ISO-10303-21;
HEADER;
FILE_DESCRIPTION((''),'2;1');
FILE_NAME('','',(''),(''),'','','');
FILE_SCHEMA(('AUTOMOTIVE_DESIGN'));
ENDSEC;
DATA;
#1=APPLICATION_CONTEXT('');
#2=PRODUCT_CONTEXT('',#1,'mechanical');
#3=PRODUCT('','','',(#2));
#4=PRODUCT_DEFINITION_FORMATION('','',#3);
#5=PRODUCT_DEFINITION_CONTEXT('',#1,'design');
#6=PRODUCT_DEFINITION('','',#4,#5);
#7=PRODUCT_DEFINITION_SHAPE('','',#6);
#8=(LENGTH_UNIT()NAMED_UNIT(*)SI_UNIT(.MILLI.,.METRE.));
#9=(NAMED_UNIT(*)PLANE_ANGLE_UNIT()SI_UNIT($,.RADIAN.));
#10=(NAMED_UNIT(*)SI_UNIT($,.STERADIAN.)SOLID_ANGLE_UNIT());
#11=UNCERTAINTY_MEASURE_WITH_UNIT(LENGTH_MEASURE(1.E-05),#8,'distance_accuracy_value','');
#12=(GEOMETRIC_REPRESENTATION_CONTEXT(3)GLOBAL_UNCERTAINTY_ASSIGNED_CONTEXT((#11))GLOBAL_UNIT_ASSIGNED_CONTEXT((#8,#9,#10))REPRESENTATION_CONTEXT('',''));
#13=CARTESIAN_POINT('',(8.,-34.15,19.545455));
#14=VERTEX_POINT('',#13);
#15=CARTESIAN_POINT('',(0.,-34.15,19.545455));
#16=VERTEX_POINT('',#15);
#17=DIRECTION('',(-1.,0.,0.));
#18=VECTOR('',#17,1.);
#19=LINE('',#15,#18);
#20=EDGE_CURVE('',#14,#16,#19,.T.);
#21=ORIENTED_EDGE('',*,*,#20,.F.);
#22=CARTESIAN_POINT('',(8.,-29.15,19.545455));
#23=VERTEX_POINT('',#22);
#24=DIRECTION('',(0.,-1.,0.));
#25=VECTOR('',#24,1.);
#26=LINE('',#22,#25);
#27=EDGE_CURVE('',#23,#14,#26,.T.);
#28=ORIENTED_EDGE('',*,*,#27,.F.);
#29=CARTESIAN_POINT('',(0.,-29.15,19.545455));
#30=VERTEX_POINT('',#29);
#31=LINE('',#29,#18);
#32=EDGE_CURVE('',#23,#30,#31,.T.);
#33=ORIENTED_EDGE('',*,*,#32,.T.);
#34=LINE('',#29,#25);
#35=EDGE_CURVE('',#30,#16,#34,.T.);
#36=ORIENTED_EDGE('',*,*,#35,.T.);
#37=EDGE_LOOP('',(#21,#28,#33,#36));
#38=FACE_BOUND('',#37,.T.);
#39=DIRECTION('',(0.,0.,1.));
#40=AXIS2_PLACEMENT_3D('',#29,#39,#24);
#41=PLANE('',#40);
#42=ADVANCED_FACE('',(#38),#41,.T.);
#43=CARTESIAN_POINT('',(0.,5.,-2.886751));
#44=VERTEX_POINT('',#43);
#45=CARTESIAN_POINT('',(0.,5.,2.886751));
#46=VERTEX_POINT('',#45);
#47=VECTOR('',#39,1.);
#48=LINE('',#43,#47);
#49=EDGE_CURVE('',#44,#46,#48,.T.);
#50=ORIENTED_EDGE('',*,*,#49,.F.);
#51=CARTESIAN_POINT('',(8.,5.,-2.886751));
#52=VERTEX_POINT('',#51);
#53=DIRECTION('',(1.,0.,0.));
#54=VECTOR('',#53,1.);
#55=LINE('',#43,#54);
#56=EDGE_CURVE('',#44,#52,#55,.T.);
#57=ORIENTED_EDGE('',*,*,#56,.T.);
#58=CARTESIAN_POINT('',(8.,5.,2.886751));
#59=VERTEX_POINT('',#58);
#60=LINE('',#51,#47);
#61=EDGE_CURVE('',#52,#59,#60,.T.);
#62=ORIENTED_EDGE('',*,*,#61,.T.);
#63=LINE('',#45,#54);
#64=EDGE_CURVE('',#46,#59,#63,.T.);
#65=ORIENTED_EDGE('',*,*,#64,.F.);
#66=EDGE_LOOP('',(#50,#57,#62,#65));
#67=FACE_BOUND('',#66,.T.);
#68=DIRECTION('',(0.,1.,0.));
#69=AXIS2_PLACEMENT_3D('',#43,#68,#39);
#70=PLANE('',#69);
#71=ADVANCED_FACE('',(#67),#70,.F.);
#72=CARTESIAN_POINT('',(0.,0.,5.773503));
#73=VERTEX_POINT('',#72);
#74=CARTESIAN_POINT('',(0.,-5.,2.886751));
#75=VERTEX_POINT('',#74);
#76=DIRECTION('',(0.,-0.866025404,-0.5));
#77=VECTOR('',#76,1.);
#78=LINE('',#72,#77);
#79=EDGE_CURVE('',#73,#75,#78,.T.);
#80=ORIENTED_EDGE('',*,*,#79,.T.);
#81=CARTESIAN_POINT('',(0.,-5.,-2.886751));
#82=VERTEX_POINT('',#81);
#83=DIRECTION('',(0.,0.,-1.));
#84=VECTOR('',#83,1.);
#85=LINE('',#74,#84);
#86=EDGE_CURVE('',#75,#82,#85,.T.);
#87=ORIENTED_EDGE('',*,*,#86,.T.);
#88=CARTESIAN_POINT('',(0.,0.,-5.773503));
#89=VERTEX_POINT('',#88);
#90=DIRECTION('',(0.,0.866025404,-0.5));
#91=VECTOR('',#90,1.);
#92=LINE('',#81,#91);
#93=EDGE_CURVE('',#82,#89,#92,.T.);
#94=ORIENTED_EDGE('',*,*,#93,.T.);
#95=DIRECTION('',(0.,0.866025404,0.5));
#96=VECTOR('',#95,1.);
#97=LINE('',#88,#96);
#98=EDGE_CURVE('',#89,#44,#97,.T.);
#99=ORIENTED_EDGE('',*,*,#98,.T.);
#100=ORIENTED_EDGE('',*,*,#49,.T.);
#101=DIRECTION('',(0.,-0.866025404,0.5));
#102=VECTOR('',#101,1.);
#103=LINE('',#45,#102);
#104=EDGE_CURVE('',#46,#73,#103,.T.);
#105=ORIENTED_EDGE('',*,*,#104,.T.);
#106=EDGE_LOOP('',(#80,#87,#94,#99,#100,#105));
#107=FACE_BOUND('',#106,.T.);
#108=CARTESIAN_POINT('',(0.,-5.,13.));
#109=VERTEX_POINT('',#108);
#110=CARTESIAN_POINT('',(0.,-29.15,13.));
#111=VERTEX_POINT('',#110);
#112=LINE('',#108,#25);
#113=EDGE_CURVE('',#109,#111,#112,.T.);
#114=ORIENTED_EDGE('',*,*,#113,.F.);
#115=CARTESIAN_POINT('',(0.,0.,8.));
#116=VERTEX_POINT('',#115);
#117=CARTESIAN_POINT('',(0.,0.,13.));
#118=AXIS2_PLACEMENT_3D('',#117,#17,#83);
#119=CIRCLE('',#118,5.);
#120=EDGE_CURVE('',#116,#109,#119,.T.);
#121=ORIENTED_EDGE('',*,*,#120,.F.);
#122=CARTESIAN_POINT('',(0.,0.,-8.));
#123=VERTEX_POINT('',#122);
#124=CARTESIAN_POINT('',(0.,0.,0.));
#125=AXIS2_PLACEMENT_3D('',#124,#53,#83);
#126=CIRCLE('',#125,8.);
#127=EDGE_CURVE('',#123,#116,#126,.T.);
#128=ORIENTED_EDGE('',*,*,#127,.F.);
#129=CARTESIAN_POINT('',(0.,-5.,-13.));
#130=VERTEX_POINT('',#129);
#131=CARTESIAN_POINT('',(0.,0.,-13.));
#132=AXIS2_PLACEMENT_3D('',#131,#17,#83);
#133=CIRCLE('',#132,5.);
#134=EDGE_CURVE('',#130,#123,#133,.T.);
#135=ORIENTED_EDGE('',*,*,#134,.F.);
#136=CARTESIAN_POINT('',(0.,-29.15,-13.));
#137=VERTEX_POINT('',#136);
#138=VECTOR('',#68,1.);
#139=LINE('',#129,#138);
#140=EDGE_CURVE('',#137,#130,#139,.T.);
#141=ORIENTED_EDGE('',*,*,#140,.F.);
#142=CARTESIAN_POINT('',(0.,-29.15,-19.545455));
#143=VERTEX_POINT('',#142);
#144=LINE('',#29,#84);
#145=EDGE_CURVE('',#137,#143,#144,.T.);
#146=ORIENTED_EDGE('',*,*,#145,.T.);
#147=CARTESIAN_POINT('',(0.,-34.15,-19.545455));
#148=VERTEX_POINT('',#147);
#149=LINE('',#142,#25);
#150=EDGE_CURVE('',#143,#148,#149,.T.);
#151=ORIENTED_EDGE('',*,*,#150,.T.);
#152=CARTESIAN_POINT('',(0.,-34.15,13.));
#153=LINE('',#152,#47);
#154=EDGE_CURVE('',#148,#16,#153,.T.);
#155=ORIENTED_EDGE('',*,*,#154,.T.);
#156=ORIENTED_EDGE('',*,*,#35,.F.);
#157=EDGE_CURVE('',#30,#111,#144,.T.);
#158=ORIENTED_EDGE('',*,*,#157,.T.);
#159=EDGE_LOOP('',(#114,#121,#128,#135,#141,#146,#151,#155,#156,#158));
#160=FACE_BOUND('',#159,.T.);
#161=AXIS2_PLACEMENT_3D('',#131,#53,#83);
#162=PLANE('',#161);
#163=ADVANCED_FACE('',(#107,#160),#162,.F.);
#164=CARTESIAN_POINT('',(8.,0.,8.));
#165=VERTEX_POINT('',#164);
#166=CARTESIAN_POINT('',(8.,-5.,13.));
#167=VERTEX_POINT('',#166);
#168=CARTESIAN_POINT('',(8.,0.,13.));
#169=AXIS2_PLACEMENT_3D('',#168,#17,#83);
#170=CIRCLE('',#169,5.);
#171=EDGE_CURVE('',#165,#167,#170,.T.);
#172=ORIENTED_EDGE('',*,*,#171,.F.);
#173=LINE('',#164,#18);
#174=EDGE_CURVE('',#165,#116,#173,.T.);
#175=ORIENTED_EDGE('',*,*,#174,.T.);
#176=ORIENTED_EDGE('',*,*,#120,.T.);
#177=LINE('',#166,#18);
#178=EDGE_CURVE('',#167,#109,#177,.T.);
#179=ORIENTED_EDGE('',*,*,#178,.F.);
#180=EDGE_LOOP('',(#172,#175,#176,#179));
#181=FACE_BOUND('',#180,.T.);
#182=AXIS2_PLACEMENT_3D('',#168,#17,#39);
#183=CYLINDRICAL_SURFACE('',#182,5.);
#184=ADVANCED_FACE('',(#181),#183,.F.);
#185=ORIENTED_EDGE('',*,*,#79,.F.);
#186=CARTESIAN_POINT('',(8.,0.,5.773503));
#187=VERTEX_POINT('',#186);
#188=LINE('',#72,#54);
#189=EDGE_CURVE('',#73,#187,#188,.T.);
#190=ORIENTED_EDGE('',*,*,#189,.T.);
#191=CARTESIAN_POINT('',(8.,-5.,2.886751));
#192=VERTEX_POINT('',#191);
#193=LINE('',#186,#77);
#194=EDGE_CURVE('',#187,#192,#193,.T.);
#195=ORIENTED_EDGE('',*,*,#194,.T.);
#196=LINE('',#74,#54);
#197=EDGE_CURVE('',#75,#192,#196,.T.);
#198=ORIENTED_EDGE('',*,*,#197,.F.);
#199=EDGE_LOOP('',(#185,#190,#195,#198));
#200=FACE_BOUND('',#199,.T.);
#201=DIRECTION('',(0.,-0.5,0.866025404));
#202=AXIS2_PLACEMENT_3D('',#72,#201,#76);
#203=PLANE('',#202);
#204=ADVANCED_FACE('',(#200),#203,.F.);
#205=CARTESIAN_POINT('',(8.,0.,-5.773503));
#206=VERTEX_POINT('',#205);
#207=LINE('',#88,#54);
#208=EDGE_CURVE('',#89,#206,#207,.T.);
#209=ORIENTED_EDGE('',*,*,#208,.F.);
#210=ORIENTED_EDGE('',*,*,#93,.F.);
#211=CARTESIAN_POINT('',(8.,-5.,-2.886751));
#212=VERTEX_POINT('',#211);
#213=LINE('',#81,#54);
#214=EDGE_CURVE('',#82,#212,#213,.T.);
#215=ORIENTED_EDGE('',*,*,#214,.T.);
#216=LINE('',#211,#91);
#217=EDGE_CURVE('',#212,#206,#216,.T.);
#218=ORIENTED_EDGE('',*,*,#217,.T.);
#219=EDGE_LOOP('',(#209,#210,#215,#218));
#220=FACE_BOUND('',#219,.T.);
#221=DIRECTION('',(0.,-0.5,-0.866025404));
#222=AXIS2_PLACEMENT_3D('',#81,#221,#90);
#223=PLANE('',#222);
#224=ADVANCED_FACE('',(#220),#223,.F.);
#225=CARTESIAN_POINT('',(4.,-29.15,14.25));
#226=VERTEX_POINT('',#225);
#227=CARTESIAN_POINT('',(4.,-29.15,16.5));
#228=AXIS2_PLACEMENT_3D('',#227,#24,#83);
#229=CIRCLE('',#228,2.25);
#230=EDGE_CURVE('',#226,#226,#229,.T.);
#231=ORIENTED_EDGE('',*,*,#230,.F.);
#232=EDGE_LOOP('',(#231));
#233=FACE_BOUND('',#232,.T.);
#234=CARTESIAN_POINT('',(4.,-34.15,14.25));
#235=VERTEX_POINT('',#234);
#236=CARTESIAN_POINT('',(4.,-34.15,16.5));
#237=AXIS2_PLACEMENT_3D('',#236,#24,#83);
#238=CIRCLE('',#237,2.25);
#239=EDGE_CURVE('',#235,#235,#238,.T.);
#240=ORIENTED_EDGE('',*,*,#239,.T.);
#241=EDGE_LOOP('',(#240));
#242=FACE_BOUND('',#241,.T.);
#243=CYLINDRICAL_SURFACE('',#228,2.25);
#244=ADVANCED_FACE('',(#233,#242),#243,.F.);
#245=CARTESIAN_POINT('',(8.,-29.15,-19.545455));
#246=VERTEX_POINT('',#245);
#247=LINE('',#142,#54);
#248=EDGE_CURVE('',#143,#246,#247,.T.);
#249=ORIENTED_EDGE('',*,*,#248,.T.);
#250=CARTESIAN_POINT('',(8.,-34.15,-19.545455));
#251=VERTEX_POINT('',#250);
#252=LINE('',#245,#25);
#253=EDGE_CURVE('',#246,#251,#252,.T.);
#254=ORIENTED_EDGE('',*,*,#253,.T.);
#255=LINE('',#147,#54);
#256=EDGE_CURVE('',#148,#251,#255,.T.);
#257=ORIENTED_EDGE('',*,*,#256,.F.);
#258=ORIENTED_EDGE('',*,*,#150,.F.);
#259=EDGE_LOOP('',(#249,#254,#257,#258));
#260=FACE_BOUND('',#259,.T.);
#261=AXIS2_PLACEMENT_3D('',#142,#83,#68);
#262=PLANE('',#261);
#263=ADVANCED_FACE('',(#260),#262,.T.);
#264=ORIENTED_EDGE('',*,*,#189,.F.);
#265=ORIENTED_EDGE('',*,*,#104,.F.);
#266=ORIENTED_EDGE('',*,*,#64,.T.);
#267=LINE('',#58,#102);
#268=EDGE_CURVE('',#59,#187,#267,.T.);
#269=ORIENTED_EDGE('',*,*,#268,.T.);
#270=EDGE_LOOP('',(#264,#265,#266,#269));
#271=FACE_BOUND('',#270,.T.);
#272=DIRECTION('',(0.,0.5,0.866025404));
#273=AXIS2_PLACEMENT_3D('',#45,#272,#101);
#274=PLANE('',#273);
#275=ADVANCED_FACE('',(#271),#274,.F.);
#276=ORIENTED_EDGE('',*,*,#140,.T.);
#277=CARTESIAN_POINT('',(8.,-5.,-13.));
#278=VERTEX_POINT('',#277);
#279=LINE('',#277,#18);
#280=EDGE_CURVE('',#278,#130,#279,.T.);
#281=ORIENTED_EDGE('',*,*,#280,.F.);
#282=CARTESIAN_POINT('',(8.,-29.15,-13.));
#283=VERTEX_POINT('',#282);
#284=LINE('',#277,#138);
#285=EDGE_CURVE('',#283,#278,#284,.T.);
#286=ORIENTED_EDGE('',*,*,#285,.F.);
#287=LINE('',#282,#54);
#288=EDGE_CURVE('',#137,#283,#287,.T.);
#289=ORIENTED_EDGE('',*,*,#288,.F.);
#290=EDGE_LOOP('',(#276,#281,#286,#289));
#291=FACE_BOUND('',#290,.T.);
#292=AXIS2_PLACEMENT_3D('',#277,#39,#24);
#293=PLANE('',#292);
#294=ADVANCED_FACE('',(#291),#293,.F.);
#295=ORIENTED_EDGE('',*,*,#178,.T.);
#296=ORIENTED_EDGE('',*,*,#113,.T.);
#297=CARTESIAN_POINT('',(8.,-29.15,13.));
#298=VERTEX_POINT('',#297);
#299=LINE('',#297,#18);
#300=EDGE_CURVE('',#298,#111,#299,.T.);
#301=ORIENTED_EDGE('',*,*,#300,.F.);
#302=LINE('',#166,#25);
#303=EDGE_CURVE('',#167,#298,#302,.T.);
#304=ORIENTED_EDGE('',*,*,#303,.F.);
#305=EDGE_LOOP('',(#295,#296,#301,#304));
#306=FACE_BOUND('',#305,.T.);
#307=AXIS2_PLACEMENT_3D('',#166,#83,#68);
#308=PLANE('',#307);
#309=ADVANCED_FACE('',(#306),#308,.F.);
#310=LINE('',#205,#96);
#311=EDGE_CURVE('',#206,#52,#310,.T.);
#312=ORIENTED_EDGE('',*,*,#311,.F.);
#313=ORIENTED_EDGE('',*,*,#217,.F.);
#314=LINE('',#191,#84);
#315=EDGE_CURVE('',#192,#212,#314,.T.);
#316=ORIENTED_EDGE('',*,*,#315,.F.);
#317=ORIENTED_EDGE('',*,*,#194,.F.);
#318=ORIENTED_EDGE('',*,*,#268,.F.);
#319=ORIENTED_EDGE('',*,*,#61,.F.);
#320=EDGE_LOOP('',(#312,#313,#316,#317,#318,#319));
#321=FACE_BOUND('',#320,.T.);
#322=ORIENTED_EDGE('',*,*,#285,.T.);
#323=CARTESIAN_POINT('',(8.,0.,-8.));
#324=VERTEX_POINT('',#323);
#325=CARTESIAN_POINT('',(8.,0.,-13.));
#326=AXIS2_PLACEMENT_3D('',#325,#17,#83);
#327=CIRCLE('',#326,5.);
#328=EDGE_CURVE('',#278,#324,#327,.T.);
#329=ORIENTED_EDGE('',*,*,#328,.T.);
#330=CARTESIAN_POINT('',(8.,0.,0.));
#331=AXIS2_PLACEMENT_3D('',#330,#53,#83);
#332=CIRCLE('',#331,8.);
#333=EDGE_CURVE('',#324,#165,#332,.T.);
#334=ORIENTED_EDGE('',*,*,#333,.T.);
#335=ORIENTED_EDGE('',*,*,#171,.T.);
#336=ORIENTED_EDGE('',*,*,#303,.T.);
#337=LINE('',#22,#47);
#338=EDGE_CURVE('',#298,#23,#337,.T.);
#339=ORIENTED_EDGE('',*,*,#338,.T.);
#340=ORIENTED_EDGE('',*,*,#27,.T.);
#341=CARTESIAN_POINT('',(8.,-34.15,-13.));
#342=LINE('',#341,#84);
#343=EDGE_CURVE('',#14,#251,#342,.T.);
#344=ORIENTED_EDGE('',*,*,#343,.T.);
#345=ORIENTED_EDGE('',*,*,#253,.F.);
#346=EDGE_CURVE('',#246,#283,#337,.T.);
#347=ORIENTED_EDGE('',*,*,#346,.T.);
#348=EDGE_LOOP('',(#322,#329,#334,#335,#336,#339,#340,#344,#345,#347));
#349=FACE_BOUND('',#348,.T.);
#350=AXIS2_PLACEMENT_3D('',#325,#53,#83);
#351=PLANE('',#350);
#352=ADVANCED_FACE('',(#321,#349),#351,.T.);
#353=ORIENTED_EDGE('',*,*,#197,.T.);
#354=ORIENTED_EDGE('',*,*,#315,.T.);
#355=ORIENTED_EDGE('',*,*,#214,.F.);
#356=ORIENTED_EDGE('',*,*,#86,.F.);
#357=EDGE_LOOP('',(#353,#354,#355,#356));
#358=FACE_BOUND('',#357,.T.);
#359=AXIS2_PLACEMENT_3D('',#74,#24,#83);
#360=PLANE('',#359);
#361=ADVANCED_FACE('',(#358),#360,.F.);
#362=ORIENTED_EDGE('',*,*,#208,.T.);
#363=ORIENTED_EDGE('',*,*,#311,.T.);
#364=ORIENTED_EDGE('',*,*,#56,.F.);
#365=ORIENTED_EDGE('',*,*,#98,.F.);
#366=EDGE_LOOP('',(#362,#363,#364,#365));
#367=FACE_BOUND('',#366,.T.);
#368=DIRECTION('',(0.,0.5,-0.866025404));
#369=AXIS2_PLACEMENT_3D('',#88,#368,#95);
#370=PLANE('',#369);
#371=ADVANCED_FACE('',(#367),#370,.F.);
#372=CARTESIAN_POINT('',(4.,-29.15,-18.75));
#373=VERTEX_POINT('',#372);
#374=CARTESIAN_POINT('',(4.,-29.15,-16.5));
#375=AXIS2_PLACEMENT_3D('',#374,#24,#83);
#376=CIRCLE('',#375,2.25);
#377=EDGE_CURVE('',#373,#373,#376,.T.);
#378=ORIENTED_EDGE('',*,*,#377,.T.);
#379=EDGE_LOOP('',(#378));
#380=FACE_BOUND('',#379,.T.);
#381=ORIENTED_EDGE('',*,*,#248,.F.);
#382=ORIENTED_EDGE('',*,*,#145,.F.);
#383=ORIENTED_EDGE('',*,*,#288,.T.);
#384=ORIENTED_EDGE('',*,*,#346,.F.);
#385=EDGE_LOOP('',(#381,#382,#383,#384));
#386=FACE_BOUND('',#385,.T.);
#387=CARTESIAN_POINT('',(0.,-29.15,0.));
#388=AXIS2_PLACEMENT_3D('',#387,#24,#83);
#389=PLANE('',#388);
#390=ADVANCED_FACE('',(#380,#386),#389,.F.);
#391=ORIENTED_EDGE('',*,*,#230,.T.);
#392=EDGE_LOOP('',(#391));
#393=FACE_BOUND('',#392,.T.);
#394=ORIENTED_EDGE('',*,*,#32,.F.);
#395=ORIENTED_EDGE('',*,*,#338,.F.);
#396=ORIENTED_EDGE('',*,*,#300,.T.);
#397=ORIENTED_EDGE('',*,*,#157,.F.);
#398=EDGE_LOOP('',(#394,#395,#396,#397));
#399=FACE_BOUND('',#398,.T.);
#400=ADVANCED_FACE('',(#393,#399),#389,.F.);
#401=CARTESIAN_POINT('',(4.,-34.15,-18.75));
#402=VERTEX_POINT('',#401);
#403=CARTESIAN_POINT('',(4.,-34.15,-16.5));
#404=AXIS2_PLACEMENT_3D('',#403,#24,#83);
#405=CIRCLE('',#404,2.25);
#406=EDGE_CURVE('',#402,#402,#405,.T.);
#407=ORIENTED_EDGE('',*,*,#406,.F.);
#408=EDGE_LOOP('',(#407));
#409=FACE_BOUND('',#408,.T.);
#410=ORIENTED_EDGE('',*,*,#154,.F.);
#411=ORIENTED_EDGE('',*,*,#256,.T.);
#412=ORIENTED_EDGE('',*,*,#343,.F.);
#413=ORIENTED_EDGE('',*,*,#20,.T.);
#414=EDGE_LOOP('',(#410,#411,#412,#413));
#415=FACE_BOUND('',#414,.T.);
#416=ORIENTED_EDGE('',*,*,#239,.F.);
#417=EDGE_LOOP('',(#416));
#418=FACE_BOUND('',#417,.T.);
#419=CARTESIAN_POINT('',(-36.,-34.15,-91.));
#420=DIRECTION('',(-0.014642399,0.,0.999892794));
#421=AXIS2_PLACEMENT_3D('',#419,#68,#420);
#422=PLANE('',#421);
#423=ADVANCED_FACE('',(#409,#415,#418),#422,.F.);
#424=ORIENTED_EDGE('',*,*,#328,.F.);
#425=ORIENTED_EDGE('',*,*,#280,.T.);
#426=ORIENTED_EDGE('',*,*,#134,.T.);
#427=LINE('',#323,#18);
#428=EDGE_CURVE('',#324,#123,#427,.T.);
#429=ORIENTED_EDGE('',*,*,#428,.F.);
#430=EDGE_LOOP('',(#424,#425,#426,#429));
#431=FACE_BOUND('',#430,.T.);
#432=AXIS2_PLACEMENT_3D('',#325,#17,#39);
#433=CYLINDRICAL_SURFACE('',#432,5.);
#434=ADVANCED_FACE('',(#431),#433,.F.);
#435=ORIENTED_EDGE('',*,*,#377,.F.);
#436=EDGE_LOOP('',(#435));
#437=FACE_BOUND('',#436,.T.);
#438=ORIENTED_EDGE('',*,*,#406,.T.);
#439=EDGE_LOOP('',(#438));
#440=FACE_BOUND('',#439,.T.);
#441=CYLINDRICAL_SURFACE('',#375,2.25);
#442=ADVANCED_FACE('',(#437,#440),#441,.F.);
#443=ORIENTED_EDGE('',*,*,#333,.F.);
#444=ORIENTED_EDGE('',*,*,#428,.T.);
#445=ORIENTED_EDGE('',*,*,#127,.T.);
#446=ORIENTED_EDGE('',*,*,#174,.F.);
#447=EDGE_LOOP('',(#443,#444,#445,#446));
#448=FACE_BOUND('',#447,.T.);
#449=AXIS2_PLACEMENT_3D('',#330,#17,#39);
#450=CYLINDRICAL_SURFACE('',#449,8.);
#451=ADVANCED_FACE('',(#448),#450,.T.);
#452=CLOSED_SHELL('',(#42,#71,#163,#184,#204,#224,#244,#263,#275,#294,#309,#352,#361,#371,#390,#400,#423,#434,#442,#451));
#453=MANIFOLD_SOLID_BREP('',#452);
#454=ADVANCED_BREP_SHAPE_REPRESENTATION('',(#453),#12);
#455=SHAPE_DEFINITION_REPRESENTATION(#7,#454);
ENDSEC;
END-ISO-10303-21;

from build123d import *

# Parameters (mm, degrees)
EXTRUDE_1_DEPTH     = 8
CUT_EXTRUDE_1_DEPTH = 19.248287591
SKETCH_4_W          = 8
SKETCH_4_H          = 26
EXTRUDE_2_DEPTH     = 24.15
SKETCH_5_W          = 8
SKETCH_5_H          = 39.090909091
SKETCH_5_R          = 2.25
EXTRUDE_3_DEPTH     = 5


with BuildPart() as part:
    # Эскиз1 → Бобышка-Вытянуть1 (new body)
    with BuildSketch(Plane(origin=(0, 0, 0), x_dir=(0, 0, -1), z_dir=(1, 0, 0))):
        with BuildLine():
            Line((-13, -5), (-13, -10))
            Line((-13, -10), (13, -10))
            Line((13, -10), (13, -5))
            ThreePointArc((13, -5), (9.464466094, -3.535533906), (8, 0))
            ThreePointArc((8, 0), (0, 8), (-8, 0))
            ThreePointArc((-8, 0), (-9.464466094, -3.535533906), (-13, -5))
        make_face()
    extrude(amount=EXTRUDE_1_DEPTH)

    # Эскиз2 → Вырез-Вытянуть1 (cut, through all)
    with BuildSketch(Plane(origin=(8, 0, 0), x_dir=(0, 0, -1), z_dir=(1, 0, 0))):
        Polygon((5.773502692, 0), (2.886751346, 5), (-2.886751346, 5), (-5.773502692, 0), (-2.886751346, -5), (2.886751346, -5), align=None)
    extrude(amount=-CUT_EXTRUDE_1_DEPTH, mode=Mode.SUBTRACT)

    # Эскиз4 → Бобышка-Вытянуть2 (add)
    with BuildSketch(Plane.XZ.offset(10)):
        with Locations((4, 0)):
            Rectangle(SKETCH_4_W, SKETCH_4_H)
    extrude(amount=EXTRUDE_2_DEPTH)

    # Эскиз5 → Бобышка-Вытянуть3 (add)
    with BuildSketch(Plane.XZ.offset(34.15)):
        with Locations((4, -1e-09)):
            Rectangle(SKETCH_5_W, SKETCH_5_H)
        with Locations(Location((4, -16.5, 0), (0, 0, 270))):
            Circle(SKETCH_5_R, mode=Mode.SUBTRACT)
        with Locations(Location((4, 16.5, 0), (0, 0, 270))):
            Circle(SKETCH_5_R, mode=Mode.SUBTRACT)
    extrude(amount=-EXTRUDE_3_DEPTH)


solid = part.part
